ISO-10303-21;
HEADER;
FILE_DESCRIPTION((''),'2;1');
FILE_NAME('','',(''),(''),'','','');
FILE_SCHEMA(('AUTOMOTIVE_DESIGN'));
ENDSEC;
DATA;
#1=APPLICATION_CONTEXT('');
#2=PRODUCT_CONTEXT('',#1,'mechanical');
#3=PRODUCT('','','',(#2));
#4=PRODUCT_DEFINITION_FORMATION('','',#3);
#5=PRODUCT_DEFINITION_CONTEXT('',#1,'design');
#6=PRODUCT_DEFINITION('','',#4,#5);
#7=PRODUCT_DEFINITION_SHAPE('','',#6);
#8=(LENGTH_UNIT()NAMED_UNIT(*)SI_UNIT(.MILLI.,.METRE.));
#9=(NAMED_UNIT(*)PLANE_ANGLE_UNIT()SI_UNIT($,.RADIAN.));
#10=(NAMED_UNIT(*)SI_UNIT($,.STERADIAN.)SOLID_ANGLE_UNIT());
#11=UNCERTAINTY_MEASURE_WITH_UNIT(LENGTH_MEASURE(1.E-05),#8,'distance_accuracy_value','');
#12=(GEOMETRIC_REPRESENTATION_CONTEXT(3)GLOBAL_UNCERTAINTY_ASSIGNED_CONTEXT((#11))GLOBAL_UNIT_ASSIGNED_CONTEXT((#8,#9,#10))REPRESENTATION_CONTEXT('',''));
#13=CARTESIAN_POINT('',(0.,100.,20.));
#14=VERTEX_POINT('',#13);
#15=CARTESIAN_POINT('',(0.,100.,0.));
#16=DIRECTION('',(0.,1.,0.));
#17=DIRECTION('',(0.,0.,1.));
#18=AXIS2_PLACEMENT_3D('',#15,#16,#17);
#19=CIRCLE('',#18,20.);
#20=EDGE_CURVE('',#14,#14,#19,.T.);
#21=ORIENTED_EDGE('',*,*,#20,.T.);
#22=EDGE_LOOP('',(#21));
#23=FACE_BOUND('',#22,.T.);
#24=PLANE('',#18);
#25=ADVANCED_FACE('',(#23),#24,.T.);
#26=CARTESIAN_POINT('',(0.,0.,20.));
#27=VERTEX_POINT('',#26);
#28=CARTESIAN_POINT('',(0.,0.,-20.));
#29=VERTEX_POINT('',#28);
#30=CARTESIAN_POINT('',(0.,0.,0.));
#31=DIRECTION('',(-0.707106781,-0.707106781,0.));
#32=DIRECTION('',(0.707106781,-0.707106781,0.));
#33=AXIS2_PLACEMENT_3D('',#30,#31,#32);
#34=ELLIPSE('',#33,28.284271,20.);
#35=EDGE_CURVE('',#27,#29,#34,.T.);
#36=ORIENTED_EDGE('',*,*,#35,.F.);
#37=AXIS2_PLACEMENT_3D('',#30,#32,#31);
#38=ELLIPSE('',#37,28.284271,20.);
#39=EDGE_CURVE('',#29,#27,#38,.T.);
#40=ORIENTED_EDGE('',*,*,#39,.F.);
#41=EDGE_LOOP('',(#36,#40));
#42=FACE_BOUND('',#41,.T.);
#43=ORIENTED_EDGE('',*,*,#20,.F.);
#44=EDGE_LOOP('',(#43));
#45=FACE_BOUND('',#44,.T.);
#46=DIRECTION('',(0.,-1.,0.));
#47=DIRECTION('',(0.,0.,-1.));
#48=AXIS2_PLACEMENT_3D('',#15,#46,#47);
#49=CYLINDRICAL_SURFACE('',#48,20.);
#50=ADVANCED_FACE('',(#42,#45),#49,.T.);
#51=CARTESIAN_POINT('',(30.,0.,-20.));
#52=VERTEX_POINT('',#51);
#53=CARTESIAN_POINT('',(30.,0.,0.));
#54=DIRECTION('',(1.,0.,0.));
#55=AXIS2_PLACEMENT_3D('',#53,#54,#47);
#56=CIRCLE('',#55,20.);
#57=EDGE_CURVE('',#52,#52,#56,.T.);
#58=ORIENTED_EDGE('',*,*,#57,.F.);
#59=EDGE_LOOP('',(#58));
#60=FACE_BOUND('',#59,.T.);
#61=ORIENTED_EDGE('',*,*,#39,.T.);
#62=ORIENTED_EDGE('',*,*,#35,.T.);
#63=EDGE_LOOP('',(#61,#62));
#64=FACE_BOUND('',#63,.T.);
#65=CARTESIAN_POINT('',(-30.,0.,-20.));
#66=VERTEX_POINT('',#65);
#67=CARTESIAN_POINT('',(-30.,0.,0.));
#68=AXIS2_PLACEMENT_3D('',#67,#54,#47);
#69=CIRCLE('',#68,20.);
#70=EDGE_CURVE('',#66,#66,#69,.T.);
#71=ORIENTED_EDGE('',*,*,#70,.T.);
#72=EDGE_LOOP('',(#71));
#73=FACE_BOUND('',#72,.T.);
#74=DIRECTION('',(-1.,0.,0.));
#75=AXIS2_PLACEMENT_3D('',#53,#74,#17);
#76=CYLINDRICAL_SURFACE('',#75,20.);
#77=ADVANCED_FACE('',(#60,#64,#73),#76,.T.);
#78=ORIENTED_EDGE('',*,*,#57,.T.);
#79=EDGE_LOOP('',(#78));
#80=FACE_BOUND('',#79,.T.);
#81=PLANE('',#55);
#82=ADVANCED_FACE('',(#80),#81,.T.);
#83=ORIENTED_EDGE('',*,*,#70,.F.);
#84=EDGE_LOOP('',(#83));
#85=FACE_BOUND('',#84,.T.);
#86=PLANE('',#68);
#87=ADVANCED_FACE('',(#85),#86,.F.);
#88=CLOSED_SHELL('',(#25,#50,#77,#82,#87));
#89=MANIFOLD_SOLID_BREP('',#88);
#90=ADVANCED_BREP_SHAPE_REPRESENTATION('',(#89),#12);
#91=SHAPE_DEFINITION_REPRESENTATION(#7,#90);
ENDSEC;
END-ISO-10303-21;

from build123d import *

# Parameters (mm, degrees)
SKETCH_1_R      = 20
EXTRUDE_1_DEPTH = 100
SKETCH_2_R      = 20
EXTRUDE_2_DEPTH = 30


with BuildPart() as part:
    # 草图1 → 凸台-拉伸1 (new body)
    with BuildSketch(Plane(origin=(0, 0, 0), x_dir=(1, 0, 0), z_dir=(0, 1, 0))):
        with Locations(Location((0, 0, 0), (0, 0, 270))):
            Circle(SKETCH_1_R)
    extrude(amount=EXTRUDE_1_DEPTH)

    # 草图2 → 凸台-拉伸2 (add, symmetric)
    with BuildSketch(Plane(origin=(0, 0, 0), x_dir=(0, 0, -1), z_dir=(1, 0, 0))):
        Circle(SKETCH_2_R)
    extrude(amount=EXTRUDE_2_DEPTH, both=True)


solid = part.part
